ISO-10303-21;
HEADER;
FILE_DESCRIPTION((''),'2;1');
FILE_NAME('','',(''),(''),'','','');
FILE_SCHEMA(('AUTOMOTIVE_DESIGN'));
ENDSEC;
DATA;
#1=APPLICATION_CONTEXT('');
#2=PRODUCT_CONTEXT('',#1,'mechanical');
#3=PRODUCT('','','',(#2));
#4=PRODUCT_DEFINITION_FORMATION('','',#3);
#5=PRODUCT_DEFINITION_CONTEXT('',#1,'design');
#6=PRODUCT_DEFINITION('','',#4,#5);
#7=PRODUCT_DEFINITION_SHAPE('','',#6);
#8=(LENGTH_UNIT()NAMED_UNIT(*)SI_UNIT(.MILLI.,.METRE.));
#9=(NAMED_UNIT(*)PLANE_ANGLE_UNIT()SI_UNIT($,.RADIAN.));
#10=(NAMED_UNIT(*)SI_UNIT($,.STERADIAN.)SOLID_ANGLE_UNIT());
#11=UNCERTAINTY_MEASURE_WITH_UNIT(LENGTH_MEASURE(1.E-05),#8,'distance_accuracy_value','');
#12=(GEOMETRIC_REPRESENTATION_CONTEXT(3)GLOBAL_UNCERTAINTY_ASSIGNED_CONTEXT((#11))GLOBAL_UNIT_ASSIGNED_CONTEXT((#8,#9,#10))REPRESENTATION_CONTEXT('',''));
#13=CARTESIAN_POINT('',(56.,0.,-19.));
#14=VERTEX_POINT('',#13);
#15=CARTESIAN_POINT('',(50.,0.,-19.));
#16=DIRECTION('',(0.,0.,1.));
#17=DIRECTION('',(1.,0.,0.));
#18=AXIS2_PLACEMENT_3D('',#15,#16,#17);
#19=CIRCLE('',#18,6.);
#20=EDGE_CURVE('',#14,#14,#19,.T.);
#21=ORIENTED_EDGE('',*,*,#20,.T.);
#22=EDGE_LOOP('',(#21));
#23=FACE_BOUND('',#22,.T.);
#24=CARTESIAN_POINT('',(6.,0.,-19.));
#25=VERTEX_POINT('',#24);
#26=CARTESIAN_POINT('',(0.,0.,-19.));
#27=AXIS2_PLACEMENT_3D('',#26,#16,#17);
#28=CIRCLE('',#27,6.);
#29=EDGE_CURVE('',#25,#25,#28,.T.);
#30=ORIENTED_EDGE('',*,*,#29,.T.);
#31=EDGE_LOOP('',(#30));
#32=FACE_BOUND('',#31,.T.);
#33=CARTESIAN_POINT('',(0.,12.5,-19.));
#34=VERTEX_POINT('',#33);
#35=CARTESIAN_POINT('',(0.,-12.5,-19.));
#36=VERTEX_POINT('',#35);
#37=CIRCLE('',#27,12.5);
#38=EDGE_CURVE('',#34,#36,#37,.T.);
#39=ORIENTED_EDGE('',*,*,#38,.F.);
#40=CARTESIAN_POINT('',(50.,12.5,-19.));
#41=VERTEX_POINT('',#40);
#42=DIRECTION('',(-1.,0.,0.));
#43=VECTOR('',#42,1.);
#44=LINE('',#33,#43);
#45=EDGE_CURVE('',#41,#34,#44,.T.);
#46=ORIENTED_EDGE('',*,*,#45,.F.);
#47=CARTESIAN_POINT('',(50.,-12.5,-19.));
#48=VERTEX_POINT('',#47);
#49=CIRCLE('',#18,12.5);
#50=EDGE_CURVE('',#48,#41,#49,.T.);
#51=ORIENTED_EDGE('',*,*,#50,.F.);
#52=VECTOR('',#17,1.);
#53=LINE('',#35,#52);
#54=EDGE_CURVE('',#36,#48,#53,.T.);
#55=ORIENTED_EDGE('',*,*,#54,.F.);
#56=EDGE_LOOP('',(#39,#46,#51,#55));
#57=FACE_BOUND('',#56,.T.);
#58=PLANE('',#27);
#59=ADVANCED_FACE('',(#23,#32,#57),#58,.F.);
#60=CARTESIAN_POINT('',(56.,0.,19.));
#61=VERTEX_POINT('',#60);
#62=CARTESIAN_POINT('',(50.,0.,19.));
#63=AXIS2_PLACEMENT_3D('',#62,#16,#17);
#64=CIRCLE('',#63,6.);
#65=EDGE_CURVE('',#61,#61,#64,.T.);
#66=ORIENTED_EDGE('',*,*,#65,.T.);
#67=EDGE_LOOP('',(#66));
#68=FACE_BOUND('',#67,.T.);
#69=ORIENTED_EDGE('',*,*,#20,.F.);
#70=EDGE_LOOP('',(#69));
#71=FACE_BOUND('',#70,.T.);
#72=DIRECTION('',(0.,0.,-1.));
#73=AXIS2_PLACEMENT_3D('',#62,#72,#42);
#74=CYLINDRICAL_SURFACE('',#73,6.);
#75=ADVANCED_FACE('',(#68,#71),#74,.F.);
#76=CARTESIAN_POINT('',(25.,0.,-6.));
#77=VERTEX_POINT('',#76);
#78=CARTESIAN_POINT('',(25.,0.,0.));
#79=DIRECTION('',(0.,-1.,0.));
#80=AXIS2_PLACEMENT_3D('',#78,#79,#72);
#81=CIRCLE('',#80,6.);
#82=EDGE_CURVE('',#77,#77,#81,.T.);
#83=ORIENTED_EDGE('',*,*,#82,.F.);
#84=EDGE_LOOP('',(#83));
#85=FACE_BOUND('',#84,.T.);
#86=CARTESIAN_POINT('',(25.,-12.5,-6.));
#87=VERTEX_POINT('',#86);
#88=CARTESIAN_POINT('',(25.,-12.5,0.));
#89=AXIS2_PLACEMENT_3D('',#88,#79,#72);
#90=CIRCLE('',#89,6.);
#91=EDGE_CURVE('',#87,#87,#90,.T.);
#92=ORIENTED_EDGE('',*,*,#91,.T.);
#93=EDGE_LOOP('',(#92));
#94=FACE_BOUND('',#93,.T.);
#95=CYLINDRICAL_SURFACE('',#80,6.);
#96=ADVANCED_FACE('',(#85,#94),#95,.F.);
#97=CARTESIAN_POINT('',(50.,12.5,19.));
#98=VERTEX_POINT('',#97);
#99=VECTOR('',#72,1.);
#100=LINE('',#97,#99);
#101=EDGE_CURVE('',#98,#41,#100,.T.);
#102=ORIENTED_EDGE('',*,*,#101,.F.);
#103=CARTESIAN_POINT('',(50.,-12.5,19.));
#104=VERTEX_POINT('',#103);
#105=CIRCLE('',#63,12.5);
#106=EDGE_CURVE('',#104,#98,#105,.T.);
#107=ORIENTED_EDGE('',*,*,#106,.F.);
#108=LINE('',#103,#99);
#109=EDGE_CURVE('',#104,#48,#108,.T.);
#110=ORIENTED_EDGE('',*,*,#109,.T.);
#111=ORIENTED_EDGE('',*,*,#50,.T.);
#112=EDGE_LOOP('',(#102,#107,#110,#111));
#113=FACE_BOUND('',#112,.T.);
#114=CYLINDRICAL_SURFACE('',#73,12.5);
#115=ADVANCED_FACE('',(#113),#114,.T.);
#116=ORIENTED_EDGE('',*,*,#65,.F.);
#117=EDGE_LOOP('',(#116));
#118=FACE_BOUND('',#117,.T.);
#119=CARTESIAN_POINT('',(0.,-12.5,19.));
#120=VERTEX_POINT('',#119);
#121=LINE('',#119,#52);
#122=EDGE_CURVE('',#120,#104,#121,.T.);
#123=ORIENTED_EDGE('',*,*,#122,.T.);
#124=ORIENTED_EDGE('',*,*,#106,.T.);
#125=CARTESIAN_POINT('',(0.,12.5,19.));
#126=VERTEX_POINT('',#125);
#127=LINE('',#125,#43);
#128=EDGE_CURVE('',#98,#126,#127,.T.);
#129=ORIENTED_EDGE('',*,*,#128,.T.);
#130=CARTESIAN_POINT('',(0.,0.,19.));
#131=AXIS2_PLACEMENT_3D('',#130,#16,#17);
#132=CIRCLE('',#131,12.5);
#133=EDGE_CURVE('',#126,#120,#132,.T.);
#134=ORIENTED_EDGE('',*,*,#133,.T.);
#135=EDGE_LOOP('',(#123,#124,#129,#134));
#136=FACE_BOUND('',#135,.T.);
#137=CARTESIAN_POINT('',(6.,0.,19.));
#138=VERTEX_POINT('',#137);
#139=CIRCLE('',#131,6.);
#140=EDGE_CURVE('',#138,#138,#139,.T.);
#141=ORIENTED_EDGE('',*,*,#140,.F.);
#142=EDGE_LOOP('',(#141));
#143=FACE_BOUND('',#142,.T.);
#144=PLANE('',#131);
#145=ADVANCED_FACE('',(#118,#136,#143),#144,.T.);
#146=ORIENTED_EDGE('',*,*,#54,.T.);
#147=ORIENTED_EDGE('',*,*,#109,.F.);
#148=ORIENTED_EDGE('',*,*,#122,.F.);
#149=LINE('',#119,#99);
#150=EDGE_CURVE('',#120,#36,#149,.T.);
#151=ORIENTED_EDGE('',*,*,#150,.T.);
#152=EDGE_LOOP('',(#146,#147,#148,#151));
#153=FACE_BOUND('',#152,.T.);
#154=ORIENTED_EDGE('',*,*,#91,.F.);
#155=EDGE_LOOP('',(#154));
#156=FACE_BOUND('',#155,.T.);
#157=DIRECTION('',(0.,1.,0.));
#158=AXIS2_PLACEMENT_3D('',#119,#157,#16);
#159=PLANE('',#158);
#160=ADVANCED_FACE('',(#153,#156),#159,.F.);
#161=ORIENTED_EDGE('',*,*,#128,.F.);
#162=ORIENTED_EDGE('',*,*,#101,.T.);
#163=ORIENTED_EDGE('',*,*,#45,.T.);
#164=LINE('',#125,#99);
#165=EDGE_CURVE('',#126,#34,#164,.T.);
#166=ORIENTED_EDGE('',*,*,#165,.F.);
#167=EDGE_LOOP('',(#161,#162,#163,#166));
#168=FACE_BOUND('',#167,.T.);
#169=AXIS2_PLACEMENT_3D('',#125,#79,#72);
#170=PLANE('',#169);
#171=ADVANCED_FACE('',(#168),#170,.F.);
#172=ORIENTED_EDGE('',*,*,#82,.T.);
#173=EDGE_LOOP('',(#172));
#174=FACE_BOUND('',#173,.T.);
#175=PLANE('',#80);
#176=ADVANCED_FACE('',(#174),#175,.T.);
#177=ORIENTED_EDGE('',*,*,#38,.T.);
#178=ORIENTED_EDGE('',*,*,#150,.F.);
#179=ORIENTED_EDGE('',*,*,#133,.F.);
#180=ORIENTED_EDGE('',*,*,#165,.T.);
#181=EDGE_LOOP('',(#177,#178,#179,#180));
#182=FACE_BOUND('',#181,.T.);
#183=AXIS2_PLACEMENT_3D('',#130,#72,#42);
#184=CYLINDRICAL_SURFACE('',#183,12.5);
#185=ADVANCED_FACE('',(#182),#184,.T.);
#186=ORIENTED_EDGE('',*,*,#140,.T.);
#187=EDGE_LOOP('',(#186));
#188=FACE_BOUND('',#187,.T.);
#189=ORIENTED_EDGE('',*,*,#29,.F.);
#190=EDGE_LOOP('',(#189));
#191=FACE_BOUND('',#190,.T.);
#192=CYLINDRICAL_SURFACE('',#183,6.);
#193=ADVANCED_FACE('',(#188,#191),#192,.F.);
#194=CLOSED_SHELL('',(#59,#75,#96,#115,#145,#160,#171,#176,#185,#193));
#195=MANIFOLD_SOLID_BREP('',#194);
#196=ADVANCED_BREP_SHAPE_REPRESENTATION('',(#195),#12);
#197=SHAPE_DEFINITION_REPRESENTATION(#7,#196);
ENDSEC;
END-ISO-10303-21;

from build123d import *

# Parameters (mm, degrees)
SKETCH1_R           = 6
BOSS_EXTRUDE1_DEPTH = 19
SKETCH2_R           = 6
CUT_EXTRUDE1_DEPTH  = 12.5


with BuildPart() as part:
    # Sketch1 → Boss-Extrude1 (new, symmetric)
    with BuildSketch(Plane.XY):
        with BuildLine():
            Line((0, 12.5), (50, 12.5))
            ThreePointArc((50, 12.5), (62.5, 0), (50, -12.5))
            Line((50, -12.5), (0, -12.5))
            ThreePointArc((0, -12.5), (-12.5, 0), (0, 12.5))
        make_face()
        Circle(SKETCH1_R, mode=Mode.SUBTRACT)
        with Locations((50, 0)):
            Circle(SKETCH1_R, mode=Mode.SUBTRACT)
    extrude(amount=BOSS_EXTRUDE1_DEPTH, both=True)

    # Sketch2 → Cut-Extrude1 (cut)
    with BuildSketch(Plane.XZ.offset(12.5)):
        with Locations(Location((25, 0, 0), (0, 0, 270))):
            Circle(SKETCH2_R)
    extrude(amount=-CUT_EXTRUDE1_DEPTH, mode=Mode.SUBTRACT)


solid = part.part
